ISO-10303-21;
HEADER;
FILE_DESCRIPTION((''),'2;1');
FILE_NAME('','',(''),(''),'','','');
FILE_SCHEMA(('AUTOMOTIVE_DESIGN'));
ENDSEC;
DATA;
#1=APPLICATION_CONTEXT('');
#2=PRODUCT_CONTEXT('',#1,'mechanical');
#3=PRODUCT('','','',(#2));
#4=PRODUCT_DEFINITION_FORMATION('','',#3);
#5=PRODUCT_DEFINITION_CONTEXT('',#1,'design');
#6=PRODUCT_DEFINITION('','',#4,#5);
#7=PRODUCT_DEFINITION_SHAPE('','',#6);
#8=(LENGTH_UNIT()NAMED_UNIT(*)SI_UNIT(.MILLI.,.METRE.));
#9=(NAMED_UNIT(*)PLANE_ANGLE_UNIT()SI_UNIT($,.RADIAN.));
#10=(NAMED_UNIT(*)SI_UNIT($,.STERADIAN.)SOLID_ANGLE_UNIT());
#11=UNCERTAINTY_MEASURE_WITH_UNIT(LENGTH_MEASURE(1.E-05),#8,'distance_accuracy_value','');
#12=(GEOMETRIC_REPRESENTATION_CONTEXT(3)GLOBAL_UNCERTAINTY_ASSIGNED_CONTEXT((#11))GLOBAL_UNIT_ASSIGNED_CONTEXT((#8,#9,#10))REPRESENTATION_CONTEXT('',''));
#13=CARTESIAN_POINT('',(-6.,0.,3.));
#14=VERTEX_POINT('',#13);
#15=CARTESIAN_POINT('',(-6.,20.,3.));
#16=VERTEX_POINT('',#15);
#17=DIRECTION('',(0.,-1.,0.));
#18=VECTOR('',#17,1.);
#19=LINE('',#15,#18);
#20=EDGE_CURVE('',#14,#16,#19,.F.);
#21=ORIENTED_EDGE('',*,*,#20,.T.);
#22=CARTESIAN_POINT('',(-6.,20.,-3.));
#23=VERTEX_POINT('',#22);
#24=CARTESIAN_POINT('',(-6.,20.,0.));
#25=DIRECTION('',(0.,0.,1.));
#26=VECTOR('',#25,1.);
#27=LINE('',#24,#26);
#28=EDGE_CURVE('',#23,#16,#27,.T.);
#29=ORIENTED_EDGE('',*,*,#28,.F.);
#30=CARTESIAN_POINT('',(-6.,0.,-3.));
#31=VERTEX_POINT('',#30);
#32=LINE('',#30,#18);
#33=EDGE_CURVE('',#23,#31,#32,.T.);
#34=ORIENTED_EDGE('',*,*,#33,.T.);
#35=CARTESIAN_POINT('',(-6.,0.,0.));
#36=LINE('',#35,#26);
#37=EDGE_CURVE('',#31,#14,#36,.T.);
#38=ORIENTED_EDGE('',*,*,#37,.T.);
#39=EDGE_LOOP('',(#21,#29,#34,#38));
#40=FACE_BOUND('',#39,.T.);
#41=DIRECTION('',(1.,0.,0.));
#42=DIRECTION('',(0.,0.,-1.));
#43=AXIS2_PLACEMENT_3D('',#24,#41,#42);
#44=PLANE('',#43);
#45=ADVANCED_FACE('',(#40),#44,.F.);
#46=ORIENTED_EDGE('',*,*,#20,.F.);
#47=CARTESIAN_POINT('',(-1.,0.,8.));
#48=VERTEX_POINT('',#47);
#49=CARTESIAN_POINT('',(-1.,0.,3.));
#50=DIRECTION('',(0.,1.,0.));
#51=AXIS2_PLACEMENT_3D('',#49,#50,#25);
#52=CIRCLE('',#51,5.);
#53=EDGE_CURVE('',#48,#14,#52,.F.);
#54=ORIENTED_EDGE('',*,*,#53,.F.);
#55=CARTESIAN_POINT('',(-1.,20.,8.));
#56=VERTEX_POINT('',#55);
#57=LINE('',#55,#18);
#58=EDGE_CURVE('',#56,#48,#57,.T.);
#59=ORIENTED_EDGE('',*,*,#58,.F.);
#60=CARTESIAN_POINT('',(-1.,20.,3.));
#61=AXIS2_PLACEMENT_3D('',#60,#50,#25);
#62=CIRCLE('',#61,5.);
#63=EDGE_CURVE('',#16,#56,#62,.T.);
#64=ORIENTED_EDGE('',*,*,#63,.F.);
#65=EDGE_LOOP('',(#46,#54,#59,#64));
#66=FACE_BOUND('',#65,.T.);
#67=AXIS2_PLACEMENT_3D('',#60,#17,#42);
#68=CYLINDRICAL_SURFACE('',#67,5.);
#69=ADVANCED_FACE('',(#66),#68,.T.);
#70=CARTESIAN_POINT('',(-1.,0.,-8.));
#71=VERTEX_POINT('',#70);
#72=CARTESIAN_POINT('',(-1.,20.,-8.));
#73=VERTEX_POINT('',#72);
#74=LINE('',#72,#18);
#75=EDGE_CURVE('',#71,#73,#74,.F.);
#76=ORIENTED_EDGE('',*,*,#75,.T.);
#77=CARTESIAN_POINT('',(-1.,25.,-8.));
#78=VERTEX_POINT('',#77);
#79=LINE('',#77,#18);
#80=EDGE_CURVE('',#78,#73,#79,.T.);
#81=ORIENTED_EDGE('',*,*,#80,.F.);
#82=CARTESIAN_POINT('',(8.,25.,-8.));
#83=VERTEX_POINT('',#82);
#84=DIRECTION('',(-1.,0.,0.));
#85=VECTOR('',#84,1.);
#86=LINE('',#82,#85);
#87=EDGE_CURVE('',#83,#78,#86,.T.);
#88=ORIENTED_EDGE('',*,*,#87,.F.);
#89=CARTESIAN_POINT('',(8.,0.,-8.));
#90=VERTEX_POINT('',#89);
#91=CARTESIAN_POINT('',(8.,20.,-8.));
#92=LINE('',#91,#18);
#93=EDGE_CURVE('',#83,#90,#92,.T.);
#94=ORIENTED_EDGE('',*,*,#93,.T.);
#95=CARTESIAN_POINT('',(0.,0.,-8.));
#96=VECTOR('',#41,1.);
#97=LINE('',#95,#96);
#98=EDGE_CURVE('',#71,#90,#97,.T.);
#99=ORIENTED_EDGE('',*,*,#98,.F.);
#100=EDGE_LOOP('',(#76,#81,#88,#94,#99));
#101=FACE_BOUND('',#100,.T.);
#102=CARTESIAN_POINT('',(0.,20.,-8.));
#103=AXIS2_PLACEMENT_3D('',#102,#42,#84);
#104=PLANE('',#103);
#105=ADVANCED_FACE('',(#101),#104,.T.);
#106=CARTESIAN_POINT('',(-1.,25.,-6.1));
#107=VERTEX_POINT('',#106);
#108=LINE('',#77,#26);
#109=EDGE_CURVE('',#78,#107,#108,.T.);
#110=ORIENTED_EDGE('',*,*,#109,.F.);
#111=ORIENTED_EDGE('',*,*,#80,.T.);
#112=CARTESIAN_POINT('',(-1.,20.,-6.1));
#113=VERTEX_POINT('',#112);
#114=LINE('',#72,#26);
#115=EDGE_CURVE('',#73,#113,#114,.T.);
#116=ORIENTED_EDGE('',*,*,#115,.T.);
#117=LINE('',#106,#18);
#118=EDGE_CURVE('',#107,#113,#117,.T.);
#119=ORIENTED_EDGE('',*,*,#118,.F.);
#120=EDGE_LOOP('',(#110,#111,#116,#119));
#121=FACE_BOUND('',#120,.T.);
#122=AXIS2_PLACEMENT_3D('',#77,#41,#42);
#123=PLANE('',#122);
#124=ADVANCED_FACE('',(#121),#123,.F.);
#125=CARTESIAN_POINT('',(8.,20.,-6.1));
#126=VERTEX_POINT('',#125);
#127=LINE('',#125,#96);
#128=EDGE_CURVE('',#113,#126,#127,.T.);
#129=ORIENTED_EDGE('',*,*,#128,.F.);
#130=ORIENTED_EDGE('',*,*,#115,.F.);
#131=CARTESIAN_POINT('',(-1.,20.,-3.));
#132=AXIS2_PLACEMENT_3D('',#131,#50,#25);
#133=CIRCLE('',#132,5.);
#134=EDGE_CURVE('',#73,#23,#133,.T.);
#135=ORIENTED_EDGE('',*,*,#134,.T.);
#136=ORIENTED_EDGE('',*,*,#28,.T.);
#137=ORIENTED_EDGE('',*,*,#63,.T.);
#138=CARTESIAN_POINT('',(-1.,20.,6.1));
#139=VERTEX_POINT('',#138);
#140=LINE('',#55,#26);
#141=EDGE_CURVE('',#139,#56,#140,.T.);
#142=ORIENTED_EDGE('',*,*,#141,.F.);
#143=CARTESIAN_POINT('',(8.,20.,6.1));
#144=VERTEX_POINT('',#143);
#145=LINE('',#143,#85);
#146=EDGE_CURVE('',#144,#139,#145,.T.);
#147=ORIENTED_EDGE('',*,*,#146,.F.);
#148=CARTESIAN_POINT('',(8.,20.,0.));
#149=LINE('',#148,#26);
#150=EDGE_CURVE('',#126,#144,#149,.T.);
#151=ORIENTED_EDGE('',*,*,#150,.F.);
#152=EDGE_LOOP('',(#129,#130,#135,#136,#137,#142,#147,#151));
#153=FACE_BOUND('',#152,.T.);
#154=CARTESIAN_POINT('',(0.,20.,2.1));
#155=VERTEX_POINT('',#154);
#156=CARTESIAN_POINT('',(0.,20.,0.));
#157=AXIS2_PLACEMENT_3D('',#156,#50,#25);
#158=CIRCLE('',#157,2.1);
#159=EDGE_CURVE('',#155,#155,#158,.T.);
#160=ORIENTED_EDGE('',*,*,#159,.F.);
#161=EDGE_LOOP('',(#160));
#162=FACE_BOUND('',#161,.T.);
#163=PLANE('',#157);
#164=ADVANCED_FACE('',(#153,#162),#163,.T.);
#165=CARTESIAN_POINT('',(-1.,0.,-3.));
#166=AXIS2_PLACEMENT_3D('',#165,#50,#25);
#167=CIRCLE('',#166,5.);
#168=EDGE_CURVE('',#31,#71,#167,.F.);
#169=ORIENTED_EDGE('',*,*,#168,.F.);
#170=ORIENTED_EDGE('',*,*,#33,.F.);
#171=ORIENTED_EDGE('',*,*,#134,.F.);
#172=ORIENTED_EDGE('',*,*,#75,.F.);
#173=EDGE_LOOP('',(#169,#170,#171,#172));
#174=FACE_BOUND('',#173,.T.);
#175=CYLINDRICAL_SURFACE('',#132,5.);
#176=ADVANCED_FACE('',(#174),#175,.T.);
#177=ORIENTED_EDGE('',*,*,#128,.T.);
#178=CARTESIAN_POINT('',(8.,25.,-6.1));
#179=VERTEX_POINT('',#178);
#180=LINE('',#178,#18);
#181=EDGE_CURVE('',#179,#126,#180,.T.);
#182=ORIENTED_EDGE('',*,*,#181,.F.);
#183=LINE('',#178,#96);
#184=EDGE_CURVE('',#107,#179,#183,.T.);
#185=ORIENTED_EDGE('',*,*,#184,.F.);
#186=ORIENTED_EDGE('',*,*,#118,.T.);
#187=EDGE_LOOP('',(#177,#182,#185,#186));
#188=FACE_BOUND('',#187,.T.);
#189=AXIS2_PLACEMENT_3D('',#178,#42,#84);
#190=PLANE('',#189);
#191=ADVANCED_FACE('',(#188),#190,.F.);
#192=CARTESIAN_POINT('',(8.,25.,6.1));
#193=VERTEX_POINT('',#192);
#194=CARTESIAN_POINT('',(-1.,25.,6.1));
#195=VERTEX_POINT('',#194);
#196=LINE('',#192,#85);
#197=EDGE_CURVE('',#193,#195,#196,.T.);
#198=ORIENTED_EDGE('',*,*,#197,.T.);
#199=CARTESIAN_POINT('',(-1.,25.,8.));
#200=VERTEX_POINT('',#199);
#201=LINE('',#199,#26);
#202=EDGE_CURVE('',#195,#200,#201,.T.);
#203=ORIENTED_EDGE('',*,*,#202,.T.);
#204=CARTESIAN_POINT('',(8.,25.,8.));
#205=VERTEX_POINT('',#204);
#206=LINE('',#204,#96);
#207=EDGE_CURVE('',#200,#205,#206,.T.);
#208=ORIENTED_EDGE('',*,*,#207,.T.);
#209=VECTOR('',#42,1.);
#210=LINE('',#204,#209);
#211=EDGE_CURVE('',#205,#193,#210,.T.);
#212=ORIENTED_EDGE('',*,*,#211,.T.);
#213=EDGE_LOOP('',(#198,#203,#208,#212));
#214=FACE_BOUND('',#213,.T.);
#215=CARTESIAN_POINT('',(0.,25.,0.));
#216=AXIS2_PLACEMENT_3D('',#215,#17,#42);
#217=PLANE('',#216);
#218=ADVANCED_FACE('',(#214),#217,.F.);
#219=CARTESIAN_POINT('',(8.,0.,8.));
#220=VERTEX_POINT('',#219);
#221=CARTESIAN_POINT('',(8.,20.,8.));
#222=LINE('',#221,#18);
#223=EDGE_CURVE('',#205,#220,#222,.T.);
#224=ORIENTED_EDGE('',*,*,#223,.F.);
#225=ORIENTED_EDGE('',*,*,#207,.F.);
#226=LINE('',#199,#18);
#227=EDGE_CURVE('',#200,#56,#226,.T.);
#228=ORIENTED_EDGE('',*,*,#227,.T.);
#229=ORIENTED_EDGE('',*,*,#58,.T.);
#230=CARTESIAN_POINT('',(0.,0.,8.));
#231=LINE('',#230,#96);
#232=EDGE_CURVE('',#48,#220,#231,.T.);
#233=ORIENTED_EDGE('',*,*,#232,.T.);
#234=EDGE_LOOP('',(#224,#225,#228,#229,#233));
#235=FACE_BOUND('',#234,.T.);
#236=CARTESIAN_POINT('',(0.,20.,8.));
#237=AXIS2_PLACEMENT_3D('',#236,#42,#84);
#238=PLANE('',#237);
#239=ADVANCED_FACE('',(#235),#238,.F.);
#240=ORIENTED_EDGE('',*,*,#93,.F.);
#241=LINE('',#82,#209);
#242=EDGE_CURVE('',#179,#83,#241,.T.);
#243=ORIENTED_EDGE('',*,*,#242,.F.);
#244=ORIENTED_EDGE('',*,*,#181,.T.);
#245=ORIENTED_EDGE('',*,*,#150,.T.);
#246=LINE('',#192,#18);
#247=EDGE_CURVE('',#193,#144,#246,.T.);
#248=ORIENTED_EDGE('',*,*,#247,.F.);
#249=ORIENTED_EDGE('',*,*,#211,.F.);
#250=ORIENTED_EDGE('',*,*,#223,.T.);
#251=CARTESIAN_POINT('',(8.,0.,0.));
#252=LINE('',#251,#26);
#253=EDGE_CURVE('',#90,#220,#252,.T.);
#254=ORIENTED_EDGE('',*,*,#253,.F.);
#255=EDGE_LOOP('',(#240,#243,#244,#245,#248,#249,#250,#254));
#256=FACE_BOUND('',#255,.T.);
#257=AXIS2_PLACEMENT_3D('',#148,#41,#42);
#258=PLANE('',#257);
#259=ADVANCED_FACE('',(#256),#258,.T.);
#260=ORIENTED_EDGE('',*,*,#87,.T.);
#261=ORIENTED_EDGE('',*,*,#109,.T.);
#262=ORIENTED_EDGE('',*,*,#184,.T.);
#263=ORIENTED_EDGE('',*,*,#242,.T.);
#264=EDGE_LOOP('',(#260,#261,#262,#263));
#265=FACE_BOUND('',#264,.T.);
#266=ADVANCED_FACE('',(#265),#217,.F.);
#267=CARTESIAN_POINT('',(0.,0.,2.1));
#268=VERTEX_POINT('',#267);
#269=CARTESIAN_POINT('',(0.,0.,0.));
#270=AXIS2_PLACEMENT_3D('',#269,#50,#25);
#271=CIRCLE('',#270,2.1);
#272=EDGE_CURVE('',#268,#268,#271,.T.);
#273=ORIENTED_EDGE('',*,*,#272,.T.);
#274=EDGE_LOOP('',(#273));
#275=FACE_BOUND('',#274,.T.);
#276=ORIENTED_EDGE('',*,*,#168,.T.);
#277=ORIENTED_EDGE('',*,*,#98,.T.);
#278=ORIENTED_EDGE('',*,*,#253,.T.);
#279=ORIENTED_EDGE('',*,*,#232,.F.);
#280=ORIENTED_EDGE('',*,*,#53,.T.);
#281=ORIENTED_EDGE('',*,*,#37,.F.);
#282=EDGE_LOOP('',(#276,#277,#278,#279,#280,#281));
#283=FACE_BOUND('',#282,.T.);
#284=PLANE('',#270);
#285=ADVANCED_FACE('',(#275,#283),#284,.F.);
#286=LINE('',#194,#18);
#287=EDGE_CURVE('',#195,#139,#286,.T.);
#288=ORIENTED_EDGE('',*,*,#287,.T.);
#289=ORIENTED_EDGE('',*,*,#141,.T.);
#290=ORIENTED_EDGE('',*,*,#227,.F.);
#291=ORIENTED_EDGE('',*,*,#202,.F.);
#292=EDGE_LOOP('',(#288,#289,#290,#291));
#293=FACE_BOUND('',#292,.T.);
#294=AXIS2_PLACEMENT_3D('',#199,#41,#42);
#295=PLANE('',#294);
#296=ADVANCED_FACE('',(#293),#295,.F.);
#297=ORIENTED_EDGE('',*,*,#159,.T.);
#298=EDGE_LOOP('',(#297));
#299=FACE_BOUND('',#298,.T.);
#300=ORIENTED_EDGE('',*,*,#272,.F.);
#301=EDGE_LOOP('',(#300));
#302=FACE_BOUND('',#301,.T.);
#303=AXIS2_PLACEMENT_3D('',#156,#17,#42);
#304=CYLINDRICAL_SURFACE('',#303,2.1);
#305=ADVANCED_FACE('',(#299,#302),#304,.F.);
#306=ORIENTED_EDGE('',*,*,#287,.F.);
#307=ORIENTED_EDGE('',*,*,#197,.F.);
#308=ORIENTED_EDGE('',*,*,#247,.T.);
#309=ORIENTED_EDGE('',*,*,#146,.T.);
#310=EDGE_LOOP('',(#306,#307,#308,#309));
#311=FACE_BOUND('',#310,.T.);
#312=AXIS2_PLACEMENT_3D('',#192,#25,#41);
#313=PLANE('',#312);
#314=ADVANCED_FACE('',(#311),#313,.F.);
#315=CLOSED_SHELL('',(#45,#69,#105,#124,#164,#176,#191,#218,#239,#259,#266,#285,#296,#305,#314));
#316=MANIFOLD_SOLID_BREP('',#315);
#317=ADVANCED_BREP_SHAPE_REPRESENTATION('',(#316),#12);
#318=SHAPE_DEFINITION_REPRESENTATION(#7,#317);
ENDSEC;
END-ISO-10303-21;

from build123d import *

# Parameters (mm, degrees)
SKETCH1_W           = 12
SKETCH1_H           = 16
SKETCH1_R           = 2.1
SKETCH1_W_2         = 2
BOSS_EXTRUDE1_DEPTH = 20
FILLET1_R           = 5
SKETCH2_W           = 9
SKETCH2_H           = 1.9
BOSS_EXTRUDE2_DEPTH = 5


with BuildPart() as part:
    # Sketch1 → Boss-Extrude1 (new body)
    # profile 1 of 2: a face of its own
    with BuildSketch(Plane(origin=(0, 0, 0), x_dir=(1, 0, 0), z_dir=(0, 1, 0))):
        Rectangle(SKETCH1_W, SKETCH1_H)
        with Locations(Location((0, 0, 0), (0, 0, 270))):
            Circle(SKETCH1_R, mode=Mode.SUBTRACT)
    # profile 2 of 2: a face of its own
    with BuildSketch(Plane(origin=(0, 0, 0), x_dir=(1, 0, 0), z_dir=(0, 1, 0))):
        with Locations((7, 0)):
            Rectangle(SKETCH1_W_2, SKETCH1_H)
    extrude(amount=BOSS_EXTRUDE1_DEPTH)

    # Fillet1
    fillet1_edges = [part.edges().sort_by_distance(p)[0] for p in [
        (-6, 10, 8),
        (-6, 10, -8),
    ]]
    fillet(fillet1_edges, radius=FILLET1_R)

    # Sketch2 → Boss-Extrude2 (add)
    with BuildSketch(Plane(origin=(0, 20, 0), x_dir=(1, 0, 0), z_dir=(0, 1, 0))):
        with Locations((3.5, 7.05)):
            Rectangle(SKETCH2_W, SKETCH2_H)
        with Locations((3.5, -7.05)):
            Rectangle(SKETCH2_W, SKETCH2_H)
    extrude(amount=BOSS_EXTRUDE2_DEPTH)


solid = part.part
